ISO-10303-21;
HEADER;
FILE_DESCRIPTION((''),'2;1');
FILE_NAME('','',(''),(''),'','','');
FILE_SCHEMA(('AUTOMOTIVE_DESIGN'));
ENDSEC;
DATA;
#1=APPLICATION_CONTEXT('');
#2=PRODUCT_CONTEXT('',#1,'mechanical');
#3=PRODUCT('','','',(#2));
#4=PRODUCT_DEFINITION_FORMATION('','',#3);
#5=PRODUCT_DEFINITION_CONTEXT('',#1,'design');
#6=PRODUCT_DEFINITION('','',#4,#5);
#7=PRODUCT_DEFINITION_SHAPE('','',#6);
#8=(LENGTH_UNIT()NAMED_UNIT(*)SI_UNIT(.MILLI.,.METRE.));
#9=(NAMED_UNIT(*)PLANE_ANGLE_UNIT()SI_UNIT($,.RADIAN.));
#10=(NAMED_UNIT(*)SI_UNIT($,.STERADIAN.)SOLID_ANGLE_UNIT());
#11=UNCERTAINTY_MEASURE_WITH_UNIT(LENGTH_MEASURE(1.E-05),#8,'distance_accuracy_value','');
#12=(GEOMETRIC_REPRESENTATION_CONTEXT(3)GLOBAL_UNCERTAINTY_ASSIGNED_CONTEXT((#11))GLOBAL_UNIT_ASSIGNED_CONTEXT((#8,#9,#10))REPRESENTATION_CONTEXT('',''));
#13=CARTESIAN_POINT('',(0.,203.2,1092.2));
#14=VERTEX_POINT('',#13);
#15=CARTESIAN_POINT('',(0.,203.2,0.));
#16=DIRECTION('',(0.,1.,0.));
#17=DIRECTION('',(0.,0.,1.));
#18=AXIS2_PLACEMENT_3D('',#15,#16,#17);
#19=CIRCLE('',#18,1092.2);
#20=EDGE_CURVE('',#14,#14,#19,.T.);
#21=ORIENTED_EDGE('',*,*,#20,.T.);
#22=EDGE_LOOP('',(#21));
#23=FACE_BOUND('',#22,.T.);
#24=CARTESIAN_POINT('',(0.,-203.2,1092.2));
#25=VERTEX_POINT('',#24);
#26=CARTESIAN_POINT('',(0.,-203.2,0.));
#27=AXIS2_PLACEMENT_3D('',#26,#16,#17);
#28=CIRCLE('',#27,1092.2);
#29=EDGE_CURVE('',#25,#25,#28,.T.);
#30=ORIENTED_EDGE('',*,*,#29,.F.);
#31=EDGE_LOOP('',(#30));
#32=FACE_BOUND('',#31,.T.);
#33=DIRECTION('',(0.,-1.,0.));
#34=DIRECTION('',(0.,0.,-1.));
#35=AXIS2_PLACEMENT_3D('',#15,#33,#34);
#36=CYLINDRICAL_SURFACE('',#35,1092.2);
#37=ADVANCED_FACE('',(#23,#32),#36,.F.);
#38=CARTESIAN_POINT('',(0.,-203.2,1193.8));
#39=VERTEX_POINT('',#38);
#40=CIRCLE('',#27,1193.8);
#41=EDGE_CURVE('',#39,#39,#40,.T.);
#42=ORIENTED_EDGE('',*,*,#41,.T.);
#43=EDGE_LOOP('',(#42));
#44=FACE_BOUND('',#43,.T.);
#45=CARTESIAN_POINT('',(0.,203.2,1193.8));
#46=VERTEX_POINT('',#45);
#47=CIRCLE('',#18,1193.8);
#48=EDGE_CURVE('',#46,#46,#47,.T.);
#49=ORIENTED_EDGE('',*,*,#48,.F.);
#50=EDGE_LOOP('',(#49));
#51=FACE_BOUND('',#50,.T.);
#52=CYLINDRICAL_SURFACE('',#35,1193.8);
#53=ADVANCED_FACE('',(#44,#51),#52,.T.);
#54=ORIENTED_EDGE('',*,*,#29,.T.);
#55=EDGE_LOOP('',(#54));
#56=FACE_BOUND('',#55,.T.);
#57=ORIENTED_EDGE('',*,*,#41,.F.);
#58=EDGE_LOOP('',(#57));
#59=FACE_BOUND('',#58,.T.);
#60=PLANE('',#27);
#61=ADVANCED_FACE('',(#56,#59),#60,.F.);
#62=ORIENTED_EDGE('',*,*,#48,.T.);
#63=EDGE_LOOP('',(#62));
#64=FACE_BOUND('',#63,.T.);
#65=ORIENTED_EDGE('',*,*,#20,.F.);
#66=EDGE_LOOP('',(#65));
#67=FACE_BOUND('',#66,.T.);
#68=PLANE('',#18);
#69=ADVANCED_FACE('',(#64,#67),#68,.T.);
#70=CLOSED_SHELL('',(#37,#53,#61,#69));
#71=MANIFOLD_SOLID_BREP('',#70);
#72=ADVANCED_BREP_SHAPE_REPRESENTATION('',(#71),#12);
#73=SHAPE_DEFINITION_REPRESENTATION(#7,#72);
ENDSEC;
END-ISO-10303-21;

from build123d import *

# Parameters (mm, degrees)
SKETCH1_R           = 1193.8
SKETCH1_R_2         = 1092.2
BOSS_EXTRUDE1_DEPTH = 203.2


with BuildPart() as part:
    # Sketch1 → Boss-Extrude1 (new body, symmetric)
    with BuildSketch(Plane(origin=(0, 0, 0), x_dir=(1, 0, 0), z_dir=(0, 1, 0))):
        Circle(SKETCH1_R)
        Circle(SKETCH1_R_2, mode=Mode.SUBTRACT)
    extrude(amount=BOSS_EXTRUDE1_DEPTH, both=True)


solid = part.part
